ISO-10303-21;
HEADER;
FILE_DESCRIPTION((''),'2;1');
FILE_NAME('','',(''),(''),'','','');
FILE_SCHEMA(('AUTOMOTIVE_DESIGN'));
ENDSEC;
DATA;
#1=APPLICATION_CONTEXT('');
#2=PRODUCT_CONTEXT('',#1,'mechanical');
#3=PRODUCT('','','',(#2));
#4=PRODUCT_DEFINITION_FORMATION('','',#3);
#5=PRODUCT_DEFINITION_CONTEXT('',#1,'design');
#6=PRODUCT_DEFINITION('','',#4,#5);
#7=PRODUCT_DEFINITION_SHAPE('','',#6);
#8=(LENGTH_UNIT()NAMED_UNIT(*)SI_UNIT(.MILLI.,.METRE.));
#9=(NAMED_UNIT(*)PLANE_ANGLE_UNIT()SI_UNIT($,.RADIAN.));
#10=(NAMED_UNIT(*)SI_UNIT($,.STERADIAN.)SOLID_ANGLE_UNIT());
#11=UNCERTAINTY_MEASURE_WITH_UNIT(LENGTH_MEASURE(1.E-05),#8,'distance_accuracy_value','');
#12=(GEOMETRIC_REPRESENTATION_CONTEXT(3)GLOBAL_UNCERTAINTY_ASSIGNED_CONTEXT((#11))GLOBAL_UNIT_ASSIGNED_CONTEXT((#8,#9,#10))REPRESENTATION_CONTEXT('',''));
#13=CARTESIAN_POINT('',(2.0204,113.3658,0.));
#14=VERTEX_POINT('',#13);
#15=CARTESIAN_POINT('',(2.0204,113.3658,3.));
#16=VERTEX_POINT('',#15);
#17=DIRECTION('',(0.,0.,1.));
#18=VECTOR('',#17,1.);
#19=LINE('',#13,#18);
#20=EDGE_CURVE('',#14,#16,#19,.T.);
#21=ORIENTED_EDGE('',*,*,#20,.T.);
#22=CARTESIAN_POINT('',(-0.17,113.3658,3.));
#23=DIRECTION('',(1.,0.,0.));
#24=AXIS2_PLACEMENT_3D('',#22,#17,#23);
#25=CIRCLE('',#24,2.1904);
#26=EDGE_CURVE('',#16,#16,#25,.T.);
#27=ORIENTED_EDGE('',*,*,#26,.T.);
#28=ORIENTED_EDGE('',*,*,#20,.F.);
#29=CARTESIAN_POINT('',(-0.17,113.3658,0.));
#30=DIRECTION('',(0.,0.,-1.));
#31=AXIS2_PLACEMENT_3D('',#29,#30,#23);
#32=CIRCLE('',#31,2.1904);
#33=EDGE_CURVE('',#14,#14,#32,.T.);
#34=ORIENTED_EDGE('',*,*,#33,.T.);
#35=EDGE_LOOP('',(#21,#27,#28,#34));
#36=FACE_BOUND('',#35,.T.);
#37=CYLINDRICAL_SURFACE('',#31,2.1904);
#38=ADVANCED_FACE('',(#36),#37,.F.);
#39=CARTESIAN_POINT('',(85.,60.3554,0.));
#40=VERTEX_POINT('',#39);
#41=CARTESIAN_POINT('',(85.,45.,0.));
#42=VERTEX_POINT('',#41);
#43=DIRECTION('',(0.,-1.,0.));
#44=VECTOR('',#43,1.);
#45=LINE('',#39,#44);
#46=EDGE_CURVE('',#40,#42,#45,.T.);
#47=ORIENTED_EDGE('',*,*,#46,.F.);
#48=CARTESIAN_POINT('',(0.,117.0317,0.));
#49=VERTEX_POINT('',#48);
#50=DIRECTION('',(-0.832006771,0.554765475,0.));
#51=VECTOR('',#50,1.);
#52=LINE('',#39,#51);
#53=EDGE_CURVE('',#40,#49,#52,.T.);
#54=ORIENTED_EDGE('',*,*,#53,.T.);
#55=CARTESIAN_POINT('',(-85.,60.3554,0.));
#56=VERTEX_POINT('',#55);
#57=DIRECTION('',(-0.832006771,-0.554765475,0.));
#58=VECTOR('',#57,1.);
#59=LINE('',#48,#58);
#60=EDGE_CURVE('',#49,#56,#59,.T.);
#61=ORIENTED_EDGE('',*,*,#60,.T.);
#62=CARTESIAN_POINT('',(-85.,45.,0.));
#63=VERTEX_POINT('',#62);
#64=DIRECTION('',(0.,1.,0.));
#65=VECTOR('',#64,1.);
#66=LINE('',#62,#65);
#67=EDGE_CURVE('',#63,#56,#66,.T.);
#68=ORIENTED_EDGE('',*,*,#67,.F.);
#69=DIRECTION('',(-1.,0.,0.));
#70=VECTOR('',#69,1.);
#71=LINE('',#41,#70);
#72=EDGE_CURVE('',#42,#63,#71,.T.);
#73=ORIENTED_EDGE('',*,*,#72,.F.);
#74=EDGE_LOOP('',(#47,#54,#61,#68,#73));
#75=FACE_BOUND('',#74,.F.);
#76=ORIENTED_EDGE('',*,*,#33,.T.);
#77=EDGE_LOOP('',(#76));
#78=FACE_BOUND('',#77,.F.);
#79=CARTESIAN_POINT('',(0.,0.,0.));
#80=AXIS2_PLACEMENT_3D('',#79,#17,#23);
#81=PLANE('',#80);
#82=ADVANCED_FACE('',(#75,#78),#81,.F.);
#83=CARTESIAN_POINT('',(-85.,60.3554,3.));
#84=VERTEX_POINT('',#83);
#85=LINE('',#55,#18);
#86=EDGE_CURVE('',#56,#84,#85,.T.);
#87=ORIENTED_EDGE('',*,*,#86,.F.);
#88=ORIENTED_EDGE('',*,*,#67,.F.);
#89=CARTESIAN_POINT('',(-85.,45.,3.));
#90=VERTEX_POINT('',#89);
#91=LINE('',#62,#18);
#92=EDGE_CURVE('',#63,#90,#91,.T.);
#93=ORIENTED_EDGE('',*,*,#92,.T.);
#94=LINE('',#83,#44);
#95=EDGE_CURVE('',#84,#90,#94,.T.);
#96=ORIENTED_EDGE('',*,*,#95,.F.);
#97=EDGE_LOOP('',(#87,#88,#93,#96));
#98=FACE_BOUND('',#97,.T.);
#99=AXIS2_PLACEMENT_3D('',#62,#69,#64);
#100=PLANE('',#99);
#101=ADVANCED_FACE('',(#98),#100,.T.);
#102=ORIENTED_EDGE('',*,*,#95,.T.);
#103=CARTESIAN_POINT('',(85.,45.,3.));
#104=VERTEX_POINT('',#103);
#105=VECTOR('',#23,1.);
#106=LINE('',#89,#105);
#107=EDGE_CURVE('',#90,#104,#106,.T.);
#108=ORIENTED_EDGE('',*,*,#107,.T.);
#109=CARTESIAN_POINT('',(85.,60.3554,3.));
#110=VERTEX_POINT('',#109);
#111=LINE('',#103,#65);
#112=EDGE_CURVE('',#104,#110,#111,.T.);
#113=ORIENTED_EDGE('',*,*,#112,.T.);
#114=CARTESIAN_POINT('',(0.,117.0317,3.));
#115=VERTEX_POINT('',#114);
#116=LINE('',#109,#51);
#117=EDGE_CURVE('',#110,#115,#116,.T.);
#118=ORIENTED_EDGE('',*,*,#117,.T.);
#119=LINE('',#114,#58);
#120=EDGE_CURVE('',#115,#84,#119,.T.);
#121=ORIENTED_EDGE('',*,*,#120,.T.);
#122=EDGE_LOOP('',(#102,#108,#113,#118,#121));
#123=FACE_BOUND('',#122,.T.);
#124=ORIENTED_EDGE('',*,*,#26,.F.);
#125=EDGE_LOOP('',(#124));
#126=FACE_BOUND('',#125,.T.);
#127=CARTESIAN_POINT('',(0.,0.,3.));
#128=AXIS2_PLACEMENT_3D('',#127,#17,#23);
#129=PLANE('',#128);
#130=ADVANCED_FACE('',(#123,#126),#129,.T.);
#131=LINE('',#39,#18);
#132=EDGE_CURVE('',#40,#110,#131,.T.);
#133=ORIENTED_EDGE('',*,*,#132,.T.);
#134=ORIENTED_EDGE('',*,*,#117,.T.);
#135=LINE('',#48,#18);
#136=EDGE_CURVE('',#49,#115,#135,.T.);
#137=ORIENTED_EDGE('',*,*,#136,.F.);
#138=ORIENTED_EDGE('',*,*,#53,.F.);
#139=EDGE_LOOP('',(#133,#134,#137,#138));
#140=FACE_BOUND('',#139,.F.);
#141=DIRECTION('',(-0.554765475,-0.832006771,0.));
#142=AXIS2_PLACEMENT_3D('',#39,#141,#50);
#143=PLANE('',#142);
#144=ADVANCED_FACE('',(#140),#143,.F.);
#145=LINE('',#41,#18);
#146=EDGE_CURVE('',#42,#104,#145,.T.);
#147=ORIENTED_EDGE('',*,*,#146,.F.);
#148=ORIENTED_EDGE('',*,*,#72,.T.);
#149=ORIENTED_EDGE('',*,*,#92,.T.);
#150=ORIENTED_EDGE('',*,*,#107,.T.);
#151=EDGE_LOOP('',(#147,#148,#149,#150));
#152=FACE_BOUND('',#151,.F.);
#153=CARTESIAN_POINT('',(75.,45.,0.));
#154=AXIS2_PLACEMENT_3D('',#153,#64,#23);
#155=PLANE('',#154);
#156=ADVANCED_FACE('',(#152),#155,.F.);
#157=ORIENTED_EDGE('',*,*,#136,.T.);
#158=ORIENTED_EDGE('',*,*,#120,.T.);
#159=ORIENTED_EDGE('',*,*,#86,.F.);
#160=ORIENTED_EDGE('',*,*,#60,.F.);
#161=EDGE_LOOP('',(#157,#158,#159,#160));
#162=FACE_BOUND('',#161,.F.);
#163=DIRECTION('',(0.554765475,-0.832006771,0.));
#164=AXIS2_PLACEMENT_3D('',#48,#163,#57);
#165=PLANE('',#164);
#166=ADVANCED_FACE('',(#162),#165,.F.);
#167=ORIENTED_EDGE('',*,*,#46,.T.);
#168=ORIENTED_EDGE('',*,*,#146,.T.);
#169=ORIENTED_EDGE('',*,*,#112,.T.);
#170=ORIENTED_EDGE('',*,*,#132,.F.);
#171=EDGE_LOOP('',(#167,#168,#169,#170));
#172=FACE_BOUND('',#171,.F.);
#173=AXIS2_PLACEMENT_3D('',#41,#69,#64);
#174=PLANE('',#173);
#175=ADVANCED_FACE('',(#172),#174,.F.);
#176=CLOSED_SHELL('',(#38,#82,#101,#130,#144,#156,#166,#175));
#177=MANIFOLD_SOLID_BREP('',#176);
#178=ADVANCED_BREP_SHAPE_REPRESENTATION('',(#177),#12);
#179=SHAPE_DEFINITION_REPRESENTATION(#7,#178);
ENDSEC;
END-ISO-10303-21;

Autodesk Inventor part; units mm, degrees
ref_plane "YZ Plane" through (0, 0, 0) normal (1, 0, 0) x (0, 1, 0)
ref_plane "XZ Plane" through (0, 0, 0) normal (0, 1, 0) x (-1, 0, 0)
ref_plane "XY Plane" through (0, 0, 0) normal (0, 0, 1) x (1, 0, 0)
sketch "Boceto1" plane through (0, 0, 0) normal (0, 0, 1) x (1, 0, 0)
  arc A0 (-1.5, 113.1763) -> (1.5, 113.1763) centre (0, 113.1763) ccw
  line L0 (0, 113.1763) -> (0, 116.1763)
  line L1 (-75, 45) -> (75, 45) projected
  line L2 (75, 45) -> (85, 45)
  line L3 (-75, 45) -> (-85, 45)
  line L4 (0, 117.735) -> (-0.0114, 117.7429)
  line L5 (-85, 55) -> (0, 111.6763) projected
  line L6 (0, 111.6763) -> (85, 55) projected
  line L7 (-2.22, 113.8018) -> (0.2156, 115.4258) projected
  line L8 (1.8799, 112.9298) -> (0.2156, 115.4258) projected
  line L9 (-0.5557, 111.3058) -> (1.8799, 112.9298) projected
  line L10 (1.8799, 112.9298) -> (0.2156, 115.4258) projected
  line L11 (-2.22, 113.8018) -> (0.2156, 115.4258) projected
  line L12 (-0.5557, 111.3058) -> (-2.22, 113.8018) projected
  line L13 (-2.22, 113.8018) -> (1.8799, 112.9298)
  line L14 (-0.5557, 111.3058) -> (0.2156, 115.4258)
  circle A1 centre (-0.17, 113.3658) radius 2.0958
  line L15 (85, 45) -> (85, 59.843)
  line L16 (-85, 45) -> (-85, 59.843)
  circle A2 centre (-0.17, 113.3658) radius 2.1904
  line L17 (0, 117.0317) -> (-85, 60.3554) projected
  line L18 (85, 60.3554) -> (0, 117.0317) projected
  line L19 (-85, 60.3554) -> (-85, 45) projected
  line L20 (85, 45) -> (85, 60.3554) projected
  point P0 (0, 0)
  point P1 (96.4858, 46.8907)
  point P2 (-94.6783, 48.1668)
  point P3 (-94.6783, 45)
  point P4 (96.4858, 45)
  dimension "d0" = 3
extrude "Extrusión1" add sketch "Boceto1" along normal blind 3 contours A2 L6 L15 L2 L1 L3 L16 L5 | L5 L16 L19 L17 L18 L20 L15 L6 A2
